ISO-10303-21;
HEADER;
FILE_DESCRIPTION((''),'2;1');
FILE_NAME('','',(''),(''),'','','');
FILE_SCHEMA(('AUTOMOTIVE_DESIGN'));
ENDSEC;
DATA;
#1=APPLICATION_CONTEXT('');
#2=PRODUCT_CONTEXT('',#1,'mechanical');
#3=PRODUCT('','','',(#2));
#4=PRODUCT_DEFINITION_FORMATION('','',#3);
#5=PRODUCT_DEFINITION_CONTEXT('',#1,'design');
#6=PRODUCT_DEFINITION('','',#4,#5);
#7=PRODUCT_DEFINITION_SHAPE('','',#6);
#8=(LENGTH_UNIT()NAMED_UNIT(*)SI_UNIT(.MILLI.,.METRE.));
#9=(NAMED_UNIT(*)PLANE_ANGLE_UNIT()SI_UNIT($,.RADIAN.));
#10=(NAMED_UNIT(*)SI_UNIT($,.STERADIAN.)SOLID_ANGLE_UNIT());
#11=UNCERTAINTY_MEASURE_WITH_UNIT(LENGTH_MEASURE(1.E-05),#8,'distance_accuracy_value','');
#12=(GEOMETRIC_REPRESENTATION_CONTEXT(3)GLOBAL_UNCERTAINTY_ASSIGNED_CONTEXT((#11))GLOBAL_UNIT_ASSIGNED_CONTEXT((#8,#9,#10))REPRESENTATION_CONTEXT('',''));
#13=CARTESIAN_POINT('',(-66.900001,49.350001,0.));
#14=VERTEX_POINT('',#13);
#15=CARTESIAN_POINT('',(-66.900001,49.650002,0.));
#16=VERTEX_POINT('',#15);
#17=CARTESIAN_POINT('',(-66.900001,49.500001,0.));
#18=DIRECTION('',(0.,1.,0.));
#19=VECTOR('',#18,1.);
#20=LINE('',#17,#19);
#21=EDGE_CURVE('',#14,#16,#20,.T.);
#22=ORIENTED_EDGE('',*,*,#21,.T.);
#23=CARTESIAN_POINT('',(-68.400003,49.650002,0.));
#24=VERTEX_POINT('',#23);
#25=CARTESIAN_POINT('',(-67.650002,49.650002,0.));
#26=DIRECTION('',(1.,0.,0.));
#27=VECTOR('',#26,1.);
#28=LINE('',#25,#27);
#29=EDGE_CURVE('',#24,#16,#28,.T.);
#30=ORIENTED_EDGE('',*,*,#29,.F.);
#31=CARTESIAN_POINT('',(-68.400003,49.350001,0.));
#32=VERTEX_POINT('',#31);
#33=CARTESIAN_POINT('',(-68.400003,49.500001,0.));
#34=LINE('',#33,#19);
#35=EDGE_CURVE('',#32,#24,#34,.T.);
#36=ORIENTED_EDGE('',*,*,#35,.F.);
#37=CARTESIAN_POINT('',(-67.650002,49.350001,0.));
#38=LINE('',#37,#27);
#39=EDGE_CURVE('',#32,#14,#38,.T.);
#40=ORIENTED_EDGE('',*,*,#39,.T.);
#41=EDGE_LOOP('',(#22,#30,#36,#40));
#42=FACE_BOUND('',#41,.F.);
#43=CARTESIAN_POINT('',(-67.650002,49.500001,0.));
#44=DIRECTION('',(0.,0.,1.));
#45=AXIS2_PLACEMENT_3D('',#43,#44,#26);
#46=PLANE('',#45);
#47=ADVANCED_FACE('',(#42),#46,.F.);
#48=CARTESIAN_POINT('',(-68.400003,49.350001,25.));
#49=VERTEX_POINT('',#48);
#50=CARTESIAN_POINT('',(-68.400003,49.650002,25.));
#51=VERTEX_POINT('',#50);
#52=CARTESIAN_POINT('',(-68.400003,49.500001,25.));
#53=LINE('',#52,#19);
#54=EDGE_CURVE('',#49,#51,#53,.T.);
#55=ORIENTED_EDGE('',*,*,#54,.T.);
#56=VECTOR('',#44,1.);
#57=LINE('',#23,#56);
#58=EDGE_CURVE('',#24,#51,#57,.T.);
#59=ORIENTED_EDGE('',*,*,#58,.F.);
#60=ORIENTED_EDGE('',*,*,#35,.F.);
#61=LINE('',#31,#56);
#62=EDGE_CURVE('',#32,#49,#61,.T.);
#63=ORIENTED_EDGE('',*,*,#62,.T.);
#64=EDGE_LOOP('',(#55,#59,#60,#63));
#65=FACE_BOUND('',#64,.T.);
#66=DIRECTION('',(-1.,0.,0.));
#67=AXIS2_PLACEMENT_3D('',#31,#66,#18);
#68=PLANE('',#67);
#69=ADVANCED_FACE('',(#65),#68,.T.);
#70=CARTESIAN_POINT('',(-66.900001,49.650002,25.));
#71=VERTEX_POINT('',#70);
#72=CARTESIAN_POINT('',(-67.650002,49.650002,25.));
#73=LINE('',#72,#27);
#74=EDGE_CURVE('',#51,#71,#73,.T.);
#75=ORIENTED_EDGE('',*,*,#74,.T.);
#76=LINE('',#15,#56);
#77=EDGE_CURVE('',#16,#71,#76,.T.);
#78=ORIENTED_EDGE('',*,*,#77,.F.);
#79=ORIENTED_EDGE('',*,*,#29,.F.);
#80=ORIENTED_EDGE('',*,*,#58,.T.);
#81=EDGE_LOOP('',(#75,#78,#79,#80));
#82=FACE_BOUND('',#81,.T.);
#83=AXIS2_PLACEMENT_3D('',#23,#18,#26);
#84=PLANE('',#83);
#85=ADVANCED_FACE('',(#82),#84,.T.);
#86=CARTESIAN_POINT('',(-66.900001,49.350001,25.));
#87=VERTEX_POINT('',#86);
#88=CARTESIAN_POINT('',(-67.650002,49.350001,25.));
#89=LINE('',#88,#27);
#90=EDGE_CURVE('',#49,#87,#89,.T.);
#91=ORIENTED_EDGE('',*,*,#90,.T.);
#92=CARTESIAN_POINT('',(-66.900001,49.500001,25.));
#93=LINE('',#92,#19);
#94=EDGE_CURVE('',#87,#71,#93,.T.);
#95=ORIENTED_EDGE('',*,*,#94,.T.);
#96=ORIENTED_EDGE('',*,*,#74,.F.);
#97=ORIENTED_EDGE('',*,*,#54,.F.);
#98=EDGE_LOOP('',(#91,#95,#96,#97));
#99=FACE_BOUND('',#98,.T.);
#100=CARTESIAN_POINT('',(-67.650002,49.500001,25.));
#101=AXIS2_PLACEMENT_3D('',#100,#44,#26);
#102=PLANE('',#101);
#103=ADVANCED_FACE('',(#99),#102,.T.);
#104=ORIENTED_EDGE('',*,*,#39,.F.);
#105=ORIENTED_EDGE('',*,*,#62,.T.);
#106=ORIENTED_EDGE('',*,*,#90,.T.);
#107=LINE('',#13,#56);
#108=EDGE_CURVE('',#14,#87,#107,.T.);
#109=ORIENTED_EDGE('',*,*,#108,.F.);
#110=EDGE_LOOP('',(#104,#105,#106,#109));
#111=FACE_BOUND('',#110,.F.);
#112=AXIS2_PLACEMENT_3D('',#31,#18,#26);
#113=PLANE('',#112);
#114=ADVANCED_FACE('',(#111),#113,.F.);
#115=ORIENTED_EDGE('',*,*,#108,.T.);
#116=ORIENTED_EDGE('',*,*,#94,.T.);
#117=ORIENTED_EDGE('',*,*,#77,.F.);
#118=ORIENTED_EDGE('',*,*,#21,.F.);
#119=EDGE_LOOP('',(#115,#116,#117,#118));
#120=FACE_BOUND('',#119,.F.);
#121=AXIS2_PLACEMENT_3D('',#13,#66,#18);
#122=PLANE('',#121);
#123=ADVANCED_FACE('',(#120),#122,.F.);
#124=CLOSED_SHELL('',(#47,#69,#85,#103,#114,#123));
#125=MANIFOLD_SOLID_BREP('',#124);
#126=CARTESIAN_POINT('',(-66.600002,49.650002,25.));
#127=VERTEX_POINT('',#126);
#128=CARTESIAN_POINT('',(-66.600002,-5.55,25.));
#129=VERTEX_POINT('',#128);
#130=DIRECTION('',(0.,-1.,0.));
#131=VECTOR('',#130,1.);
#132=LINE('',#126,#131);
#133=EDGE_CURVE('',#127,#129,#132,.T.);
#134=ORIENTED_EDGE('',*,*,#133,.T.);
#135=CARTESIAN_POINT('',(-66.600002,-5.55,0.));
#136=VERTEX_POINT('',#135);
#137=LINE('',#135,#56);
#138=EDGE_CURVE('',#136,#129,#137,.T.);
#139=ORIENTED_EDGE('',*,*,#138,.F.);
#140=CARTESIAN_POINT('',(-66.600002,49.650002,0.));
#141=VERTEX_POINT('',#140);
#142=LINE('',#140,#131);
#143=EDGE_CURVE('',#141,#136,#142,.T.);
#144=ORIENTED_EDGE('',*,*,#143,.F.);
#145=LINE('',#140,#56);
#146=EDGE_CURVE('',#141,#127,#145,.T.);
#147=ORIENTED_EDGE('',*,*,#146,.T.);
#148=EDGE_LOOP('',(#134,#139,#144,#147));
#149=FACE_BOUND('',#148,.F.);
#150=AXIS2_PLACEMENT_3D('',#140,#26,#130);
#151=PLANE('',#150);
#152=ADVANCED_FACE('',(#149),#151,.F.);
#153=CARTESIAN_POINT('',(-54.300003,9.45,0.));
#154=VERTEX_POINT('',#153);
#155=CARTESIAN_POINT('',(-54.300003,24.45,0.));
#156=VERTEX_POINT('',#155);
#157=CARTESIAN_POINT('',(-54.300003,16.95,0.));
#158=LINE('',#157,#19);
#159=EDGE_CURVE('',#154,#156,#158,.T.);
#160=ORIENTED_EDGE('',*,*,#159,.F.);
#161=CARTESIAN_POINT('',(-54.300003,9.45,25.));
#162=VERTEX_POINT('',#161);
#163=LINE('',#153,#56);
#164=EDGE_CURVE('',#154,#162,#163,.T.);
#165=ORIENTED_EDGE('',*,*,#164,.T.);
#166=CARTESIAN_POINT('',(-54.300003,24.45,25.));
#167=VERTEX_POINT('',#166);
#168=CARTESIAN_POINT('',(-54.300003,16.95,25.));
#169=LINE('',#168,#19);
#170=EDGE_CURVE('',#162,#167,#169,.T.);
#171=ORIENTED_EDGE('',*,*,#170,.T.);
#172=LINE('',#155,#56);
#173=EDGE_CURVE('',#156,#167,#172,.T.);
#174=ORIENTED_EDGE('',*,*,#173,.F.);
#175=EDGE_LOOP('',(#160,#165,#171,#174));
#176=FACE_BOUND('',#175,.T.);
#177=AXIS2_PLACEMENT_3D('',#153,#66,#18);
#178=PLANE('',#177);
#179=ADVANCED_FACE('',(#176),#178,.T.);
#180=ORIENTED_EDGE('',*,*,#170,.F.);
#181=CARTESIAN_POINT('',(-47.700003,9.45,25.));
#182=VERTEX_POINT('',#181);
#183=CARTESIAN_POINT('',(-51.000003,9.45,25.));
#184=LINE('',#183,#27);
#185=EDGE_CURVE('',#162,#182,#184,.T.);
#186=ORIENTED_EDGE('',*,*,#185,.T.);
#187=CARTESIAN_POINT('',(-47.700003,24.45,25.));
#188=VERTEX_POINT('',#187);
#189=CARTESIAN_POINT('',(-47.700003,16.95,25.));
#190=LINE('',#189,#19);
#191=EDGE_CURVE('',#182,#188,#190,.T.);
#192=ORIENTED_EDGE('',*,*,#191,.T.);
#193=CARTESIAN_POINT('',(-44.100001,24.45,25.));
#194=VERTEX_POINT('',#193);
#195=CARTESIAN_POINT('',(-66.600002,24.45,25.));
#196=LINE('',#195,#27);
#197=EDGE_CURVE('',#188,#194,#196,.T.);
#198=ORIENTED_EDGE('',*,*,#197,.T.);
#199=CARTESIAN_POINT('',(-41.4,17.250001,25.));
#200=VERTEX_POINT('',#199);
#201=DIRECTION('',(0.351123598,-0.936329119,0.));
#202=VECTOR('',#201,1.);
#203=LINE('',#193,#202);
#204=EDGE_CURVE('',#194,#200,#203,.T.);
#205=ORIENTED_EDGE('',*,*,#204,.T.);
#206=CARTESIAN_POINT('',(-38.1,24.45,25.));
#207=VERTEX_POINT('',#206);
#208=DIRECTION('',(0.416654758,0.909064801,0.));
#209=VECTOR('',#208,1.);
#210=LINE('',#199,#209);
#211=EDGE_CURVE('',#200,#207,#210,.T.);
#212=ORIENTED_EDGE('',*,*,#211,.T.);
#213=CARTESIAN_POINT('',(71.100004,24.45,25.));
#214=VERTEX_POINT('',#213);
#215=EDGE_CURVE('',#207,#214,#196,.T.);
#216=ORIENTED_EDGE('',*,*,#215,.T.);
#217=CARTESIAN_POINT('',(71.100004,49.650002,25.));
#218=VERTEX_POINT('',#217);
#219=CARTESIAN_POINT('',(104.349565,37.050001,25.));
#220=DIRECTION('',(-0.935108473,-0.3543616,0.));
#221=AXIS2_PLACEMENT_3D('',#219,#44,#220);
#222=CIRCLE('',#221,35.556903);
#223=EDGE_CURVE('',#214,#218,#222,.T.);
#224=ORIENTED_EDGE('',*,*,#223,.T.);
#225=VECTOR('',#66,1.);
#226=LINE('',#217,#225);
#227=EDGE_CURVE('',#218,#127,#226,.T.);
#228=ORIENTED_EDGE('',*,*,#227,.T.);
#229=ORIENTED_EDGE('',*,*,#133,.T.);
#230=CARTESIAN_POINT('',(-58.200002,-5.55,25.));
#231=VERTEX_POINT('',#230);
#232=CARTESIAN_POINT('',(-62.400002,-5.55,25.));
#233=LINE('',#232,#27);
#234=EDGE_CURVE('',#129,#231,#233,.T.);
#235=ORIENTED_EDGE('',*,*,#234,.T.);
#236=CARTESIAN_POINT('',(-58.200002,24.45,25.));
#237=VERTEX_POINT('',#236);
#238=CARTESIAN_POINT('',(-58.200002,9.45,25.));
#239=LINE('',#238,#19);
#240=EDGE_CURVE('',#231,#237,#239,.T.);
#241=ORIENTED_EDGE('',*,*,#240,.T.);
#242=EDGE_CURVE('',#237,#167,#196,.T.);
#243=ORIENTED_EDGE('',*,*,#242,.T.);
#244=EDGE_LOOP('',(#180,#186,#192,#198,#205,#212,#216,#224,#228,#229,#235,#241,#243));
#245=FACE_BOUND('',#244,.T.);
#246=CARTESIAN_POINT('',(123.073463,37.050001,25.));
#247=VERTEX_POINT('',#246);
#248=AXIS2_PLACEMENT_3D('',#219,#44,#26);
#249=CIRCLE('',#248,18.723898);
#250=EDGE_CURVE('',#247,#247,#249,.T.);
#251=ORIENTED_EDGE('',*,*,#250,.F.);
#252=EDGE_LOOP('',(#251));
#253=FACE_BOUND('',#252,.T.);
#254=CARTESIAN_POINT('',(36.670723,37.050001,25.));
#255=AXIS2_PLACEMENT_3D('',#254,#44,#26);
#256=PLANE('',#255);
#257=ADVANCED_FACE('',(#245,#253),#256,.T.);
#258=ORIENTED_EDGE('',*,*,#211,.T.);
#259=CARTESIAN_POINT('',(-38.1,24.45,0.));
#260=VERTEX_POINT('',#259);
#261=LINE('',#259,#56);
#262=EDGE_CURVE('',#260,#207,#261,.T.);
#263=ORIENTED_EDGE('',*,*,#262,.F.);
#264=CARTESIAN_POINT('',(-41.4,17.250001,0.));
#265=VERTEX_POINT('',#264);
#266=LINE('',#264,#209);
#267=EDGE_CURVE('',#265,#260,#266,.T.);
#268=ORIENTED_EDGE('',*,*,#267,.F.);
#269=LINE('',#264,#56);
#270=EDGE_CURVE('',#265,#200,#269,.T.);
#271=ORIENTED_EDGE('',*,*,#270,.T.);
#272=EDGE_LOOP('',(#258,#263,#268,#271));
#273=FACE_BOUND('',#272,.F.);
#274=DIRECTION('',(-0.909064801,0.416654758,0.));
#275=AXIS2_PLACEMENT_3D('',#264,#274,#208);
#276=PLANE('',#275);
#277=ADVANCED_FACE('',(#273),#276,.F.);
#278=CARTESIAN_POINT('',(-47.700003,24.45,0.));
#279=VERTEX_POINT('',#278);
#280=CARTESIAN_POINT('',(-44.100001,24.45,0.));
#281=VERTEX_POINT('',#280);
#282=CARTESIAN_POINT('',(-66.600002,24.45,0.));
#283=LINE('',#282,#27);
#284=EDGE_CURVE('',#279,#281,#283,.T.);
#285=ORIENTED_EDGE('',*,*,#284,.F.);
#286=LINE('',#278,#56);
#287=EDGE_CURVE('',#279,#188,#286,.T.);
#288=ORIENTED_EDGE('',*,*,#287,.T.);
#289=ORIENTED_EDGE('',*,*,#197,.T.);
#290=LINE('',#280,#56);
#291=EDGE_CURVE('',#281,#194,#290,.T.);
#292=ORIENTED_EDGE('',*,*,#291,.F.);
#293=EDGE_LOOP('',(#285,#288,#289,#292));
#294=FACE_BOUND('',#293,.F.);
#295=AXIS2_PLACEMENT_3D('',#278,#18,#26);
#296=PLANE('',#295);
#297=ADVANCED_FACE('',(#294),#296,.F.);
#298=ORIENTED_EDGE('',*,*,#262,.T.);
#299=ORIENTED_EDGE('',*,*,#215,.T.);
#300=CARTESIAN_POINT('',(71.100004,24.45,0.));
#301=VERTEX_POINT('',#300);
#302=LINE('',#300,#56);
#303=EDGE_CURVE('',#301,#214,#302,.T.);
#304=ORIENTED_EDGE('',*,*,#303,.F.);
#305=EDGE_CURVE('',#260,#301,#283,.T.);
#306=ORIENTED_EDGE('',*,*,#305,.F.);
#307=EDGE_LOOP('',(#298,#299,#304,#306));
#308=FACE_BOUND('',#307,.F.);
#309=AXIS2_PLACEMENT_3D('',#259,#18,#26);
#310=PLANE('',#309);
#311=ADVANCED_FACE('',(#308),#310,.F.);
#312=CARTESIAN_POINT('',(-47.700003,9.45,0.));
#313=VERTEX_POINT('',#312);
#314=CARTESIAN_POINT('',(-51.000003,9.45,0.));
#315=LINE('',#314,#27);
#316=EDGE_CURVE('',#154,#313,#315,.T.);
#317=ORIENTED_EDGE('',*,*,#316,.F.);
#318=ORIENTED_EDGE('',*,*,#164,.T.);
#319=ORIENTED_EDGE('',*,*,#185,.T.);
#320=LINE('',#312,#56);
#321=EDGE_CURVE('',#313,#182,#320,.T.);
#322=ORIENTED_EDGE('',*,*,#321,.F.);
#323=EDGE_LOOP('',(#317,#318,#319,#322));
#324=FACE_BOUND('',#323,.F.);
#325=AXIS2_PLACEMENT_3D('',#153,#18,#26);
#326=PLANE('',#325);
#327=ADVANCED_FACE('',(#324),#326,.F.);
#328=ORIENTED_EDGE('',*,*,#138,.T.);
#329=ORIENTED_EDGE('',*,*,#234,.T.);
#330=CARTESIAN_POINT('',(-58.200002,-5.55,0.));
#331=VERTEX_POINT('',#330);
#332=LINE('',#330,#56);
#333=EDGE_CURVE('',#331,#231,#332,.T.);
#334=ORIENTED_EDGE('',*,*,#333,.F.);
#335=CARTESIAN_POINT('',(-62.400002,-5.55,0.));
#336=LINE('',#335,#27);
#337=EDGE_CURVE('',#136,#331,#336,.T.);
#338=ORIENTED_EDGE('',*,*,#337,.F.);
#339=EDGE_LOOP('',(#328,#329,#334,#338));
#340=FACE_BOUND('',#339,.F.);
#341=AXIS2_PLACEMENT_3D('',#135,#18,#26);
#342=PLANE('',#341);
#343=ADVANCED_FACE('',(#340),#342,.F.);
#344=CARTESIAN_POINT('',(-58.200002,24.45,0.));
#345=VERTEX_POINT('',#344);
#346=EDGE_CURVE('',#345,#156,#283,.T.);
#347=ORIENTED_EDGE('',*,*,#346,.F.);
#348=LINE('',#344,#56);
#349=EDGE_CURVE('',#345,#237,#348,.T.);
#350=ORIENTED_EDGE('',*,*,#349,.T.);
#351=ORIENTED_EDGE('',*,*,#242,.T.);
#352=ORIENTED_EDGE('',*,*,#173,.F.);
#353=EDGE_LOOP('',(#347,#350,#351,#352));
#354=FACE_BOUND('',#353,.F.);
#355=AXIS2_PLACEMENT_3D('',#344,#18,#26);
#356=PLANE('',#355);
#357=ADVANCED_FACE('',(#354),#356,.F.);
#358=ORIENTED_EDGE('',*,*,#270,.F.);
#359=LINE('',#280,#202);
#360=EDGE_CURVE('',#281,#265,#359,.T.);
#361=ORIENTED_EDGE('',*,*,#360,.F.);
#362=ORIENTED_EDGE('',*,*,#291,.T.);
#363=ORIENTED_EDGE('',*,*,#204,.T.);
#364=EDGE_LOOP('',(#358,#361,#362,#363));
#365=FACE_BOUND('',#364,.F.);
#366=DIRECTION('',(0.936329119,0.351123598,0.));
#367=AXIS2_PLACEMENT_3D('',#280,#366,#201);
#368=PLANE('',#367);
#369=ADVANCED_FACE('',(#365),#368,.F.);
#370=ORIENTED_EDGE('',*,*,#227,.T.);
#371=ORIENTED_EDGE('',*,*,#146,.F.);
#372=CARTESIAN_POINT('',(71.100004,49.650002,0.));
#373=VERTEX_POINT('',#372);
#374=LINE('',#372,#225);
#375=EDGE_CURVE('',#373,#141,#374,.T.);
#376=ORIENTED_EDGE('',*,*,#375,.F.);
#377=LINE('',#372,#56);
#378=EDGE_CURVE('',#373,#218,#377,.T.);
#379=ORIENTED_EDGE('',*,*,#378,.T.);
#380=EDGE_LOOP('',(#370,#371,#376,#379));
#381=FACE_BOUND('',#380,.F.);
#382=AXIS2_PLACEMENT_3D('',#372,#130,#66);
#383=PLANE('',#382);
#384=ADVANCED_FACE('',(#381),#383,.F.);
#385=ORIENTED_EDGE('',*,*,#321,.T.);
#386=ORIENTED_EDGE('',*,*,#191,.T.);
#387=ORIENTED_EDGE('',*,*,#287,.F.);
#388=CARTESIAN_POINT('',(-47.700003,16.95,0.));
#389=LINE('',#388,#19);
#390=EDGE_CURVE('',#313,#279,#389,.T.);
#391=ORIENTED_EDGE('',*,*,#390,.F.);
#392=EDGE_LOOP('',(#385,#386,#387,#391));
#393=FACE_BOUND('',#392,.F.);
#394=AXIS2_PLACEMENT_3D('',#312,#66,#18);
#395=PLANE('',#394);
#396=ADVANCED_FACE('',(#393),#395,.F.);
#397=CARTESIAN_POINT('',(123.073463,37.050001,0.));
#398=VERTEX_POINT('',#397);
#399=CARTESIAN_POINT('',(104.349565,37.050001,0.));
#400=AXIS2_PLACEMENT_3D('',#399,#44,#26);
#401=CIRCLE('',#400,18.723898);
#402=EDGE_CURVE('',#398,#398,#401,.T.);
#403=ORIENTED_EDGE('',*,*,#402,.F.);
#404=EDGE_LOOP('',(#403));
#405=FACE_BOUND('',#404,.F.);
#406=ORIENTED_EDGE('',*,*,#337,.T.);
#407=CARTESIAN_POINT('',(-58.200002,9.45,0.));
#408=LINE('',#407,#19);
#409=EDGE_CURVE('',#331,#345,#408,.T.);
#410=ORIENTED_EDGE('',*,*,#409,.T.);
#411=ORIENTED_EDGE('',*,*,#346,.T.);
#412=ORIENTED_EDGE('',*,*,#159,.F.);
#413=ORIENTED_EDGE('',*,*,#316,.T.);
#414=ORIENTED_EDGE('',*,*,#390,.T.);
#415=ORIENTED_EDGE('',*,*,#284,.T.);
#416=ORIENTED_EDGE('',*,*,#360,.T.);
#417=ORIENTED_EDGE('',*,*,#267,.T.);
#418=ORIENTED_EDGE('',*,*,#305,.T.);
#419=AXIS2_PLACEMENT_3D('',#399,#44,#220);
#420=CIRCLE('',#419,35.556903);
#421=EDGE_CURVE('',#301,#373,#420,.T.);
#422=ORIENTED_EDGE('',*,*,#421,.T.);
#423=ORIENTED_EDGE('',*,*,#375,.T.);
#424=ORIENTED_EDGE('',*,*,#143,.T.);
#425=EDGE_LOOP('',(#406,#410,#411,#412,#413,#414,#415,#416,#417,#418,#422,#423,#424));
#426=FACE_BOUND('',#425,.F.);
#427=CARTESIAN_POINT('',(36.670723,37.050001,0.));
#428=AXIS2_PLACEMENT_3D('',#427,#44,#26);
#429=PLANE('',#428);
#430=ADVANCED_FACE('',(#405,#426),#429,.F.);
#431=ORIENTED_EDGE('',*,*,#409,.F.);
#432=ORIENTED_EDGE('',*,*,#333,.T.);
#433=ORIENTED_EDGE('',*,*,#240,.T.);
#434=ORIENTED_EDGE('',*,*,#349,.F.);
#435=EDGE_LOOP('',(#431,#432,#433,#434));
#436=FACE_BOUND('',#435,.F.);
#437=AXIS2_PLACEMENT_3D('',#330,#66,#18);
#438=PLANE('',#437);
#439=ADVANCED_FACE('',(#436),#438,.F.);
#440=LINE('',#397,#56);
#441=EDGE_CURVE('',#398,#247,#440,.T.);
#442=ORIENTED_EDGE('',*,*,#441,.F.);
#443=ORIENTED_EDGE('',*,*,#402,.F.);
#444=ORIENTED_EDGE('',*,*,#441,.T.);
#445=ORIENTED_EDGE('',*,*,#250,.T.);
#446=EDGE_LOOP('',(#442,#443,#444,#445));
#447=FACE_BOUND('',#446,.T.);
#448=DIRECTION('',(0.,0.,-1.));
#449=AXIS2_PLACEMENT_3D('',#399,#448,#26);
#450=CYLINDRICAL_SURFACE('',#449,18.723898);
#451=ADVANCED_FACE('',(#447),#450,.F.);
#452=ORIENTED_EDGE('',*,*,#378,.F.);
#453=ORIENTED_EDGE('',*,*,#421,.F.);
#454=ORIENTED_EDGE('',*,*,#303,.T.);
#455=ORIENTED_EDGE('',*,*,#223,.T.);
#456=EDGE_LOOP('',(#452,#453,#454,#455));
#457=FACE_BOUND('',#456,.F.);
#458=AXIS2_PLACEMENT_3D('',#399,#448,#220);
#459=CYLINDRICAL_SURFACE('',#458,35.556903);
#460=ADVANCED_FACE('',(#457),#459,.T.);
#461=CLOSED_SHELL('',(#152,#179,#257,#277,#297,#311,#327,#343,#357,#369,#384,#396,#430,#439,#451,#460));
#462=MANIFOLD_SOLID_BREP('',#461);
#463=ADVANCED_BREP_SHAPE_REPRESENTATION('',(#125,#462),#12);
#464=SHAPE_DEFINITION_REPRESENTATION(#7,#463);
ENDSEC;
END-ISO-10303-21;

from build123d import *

# Parameters (mm, degrees)
F0_W     = 1.500003
F0_H     = 0.300001
F0_R     = 18.723898
F0_W_2   = 8.4
F0_H_2   = 30
F0_W_3   = 6.6
F0_H_3   = 15
F1_DEPTH = 25


with BuildPart() as f1:
    # F0 (on Top) → F1 (new body)
    with BuildSketch(Plane.XY):
        with Locations((-67.650002, 49.500001)):
            Rectangle(F0_W, F0_H)
        with BuildLine():
            Line((71.100004, 49.650002), (-66.600002, 49.650002))
            Line((-66.600002, 49.650002), (-66.600002, 24.45))
            Line((-66.600002, 24.45), (-58.200002, 24.45))
            Line((-58.200002, 24.45), (-54.300003, 24.45))
            Line((-54.300003, 24.45), (-47.700003, 24.45))
            Line((-47.700003, 24.45), (-44.100001, 24.45))
            Line((-44.100001, 24.45), (-38.1, 24.45))
            Line((-38.1, 24.45), (71.100004, 24.45))
            ThreePointArc((71.100004, 24.45), (139.906468, 37.050001), (71.100004, 49.650002))
        make_face()
        with Locations((104.349565, 37.050001)):
            Circle(F0_R, mode=Mode.SUBTRACT)
        with Locations((-62.400002, 9.45)):
            Rectangle(F0_W_2, F0_H_2)
        Polygon((-41.4, 17.250001), (-38.1, 24.45), (-44.100001, 24.45), align=None)
        with Locations((-51.000003, 16.95)):
            Rectangle(F0_W_3, F0_H_3)
    extrude(amount=F1_DEPTH)


solid = f1.part
